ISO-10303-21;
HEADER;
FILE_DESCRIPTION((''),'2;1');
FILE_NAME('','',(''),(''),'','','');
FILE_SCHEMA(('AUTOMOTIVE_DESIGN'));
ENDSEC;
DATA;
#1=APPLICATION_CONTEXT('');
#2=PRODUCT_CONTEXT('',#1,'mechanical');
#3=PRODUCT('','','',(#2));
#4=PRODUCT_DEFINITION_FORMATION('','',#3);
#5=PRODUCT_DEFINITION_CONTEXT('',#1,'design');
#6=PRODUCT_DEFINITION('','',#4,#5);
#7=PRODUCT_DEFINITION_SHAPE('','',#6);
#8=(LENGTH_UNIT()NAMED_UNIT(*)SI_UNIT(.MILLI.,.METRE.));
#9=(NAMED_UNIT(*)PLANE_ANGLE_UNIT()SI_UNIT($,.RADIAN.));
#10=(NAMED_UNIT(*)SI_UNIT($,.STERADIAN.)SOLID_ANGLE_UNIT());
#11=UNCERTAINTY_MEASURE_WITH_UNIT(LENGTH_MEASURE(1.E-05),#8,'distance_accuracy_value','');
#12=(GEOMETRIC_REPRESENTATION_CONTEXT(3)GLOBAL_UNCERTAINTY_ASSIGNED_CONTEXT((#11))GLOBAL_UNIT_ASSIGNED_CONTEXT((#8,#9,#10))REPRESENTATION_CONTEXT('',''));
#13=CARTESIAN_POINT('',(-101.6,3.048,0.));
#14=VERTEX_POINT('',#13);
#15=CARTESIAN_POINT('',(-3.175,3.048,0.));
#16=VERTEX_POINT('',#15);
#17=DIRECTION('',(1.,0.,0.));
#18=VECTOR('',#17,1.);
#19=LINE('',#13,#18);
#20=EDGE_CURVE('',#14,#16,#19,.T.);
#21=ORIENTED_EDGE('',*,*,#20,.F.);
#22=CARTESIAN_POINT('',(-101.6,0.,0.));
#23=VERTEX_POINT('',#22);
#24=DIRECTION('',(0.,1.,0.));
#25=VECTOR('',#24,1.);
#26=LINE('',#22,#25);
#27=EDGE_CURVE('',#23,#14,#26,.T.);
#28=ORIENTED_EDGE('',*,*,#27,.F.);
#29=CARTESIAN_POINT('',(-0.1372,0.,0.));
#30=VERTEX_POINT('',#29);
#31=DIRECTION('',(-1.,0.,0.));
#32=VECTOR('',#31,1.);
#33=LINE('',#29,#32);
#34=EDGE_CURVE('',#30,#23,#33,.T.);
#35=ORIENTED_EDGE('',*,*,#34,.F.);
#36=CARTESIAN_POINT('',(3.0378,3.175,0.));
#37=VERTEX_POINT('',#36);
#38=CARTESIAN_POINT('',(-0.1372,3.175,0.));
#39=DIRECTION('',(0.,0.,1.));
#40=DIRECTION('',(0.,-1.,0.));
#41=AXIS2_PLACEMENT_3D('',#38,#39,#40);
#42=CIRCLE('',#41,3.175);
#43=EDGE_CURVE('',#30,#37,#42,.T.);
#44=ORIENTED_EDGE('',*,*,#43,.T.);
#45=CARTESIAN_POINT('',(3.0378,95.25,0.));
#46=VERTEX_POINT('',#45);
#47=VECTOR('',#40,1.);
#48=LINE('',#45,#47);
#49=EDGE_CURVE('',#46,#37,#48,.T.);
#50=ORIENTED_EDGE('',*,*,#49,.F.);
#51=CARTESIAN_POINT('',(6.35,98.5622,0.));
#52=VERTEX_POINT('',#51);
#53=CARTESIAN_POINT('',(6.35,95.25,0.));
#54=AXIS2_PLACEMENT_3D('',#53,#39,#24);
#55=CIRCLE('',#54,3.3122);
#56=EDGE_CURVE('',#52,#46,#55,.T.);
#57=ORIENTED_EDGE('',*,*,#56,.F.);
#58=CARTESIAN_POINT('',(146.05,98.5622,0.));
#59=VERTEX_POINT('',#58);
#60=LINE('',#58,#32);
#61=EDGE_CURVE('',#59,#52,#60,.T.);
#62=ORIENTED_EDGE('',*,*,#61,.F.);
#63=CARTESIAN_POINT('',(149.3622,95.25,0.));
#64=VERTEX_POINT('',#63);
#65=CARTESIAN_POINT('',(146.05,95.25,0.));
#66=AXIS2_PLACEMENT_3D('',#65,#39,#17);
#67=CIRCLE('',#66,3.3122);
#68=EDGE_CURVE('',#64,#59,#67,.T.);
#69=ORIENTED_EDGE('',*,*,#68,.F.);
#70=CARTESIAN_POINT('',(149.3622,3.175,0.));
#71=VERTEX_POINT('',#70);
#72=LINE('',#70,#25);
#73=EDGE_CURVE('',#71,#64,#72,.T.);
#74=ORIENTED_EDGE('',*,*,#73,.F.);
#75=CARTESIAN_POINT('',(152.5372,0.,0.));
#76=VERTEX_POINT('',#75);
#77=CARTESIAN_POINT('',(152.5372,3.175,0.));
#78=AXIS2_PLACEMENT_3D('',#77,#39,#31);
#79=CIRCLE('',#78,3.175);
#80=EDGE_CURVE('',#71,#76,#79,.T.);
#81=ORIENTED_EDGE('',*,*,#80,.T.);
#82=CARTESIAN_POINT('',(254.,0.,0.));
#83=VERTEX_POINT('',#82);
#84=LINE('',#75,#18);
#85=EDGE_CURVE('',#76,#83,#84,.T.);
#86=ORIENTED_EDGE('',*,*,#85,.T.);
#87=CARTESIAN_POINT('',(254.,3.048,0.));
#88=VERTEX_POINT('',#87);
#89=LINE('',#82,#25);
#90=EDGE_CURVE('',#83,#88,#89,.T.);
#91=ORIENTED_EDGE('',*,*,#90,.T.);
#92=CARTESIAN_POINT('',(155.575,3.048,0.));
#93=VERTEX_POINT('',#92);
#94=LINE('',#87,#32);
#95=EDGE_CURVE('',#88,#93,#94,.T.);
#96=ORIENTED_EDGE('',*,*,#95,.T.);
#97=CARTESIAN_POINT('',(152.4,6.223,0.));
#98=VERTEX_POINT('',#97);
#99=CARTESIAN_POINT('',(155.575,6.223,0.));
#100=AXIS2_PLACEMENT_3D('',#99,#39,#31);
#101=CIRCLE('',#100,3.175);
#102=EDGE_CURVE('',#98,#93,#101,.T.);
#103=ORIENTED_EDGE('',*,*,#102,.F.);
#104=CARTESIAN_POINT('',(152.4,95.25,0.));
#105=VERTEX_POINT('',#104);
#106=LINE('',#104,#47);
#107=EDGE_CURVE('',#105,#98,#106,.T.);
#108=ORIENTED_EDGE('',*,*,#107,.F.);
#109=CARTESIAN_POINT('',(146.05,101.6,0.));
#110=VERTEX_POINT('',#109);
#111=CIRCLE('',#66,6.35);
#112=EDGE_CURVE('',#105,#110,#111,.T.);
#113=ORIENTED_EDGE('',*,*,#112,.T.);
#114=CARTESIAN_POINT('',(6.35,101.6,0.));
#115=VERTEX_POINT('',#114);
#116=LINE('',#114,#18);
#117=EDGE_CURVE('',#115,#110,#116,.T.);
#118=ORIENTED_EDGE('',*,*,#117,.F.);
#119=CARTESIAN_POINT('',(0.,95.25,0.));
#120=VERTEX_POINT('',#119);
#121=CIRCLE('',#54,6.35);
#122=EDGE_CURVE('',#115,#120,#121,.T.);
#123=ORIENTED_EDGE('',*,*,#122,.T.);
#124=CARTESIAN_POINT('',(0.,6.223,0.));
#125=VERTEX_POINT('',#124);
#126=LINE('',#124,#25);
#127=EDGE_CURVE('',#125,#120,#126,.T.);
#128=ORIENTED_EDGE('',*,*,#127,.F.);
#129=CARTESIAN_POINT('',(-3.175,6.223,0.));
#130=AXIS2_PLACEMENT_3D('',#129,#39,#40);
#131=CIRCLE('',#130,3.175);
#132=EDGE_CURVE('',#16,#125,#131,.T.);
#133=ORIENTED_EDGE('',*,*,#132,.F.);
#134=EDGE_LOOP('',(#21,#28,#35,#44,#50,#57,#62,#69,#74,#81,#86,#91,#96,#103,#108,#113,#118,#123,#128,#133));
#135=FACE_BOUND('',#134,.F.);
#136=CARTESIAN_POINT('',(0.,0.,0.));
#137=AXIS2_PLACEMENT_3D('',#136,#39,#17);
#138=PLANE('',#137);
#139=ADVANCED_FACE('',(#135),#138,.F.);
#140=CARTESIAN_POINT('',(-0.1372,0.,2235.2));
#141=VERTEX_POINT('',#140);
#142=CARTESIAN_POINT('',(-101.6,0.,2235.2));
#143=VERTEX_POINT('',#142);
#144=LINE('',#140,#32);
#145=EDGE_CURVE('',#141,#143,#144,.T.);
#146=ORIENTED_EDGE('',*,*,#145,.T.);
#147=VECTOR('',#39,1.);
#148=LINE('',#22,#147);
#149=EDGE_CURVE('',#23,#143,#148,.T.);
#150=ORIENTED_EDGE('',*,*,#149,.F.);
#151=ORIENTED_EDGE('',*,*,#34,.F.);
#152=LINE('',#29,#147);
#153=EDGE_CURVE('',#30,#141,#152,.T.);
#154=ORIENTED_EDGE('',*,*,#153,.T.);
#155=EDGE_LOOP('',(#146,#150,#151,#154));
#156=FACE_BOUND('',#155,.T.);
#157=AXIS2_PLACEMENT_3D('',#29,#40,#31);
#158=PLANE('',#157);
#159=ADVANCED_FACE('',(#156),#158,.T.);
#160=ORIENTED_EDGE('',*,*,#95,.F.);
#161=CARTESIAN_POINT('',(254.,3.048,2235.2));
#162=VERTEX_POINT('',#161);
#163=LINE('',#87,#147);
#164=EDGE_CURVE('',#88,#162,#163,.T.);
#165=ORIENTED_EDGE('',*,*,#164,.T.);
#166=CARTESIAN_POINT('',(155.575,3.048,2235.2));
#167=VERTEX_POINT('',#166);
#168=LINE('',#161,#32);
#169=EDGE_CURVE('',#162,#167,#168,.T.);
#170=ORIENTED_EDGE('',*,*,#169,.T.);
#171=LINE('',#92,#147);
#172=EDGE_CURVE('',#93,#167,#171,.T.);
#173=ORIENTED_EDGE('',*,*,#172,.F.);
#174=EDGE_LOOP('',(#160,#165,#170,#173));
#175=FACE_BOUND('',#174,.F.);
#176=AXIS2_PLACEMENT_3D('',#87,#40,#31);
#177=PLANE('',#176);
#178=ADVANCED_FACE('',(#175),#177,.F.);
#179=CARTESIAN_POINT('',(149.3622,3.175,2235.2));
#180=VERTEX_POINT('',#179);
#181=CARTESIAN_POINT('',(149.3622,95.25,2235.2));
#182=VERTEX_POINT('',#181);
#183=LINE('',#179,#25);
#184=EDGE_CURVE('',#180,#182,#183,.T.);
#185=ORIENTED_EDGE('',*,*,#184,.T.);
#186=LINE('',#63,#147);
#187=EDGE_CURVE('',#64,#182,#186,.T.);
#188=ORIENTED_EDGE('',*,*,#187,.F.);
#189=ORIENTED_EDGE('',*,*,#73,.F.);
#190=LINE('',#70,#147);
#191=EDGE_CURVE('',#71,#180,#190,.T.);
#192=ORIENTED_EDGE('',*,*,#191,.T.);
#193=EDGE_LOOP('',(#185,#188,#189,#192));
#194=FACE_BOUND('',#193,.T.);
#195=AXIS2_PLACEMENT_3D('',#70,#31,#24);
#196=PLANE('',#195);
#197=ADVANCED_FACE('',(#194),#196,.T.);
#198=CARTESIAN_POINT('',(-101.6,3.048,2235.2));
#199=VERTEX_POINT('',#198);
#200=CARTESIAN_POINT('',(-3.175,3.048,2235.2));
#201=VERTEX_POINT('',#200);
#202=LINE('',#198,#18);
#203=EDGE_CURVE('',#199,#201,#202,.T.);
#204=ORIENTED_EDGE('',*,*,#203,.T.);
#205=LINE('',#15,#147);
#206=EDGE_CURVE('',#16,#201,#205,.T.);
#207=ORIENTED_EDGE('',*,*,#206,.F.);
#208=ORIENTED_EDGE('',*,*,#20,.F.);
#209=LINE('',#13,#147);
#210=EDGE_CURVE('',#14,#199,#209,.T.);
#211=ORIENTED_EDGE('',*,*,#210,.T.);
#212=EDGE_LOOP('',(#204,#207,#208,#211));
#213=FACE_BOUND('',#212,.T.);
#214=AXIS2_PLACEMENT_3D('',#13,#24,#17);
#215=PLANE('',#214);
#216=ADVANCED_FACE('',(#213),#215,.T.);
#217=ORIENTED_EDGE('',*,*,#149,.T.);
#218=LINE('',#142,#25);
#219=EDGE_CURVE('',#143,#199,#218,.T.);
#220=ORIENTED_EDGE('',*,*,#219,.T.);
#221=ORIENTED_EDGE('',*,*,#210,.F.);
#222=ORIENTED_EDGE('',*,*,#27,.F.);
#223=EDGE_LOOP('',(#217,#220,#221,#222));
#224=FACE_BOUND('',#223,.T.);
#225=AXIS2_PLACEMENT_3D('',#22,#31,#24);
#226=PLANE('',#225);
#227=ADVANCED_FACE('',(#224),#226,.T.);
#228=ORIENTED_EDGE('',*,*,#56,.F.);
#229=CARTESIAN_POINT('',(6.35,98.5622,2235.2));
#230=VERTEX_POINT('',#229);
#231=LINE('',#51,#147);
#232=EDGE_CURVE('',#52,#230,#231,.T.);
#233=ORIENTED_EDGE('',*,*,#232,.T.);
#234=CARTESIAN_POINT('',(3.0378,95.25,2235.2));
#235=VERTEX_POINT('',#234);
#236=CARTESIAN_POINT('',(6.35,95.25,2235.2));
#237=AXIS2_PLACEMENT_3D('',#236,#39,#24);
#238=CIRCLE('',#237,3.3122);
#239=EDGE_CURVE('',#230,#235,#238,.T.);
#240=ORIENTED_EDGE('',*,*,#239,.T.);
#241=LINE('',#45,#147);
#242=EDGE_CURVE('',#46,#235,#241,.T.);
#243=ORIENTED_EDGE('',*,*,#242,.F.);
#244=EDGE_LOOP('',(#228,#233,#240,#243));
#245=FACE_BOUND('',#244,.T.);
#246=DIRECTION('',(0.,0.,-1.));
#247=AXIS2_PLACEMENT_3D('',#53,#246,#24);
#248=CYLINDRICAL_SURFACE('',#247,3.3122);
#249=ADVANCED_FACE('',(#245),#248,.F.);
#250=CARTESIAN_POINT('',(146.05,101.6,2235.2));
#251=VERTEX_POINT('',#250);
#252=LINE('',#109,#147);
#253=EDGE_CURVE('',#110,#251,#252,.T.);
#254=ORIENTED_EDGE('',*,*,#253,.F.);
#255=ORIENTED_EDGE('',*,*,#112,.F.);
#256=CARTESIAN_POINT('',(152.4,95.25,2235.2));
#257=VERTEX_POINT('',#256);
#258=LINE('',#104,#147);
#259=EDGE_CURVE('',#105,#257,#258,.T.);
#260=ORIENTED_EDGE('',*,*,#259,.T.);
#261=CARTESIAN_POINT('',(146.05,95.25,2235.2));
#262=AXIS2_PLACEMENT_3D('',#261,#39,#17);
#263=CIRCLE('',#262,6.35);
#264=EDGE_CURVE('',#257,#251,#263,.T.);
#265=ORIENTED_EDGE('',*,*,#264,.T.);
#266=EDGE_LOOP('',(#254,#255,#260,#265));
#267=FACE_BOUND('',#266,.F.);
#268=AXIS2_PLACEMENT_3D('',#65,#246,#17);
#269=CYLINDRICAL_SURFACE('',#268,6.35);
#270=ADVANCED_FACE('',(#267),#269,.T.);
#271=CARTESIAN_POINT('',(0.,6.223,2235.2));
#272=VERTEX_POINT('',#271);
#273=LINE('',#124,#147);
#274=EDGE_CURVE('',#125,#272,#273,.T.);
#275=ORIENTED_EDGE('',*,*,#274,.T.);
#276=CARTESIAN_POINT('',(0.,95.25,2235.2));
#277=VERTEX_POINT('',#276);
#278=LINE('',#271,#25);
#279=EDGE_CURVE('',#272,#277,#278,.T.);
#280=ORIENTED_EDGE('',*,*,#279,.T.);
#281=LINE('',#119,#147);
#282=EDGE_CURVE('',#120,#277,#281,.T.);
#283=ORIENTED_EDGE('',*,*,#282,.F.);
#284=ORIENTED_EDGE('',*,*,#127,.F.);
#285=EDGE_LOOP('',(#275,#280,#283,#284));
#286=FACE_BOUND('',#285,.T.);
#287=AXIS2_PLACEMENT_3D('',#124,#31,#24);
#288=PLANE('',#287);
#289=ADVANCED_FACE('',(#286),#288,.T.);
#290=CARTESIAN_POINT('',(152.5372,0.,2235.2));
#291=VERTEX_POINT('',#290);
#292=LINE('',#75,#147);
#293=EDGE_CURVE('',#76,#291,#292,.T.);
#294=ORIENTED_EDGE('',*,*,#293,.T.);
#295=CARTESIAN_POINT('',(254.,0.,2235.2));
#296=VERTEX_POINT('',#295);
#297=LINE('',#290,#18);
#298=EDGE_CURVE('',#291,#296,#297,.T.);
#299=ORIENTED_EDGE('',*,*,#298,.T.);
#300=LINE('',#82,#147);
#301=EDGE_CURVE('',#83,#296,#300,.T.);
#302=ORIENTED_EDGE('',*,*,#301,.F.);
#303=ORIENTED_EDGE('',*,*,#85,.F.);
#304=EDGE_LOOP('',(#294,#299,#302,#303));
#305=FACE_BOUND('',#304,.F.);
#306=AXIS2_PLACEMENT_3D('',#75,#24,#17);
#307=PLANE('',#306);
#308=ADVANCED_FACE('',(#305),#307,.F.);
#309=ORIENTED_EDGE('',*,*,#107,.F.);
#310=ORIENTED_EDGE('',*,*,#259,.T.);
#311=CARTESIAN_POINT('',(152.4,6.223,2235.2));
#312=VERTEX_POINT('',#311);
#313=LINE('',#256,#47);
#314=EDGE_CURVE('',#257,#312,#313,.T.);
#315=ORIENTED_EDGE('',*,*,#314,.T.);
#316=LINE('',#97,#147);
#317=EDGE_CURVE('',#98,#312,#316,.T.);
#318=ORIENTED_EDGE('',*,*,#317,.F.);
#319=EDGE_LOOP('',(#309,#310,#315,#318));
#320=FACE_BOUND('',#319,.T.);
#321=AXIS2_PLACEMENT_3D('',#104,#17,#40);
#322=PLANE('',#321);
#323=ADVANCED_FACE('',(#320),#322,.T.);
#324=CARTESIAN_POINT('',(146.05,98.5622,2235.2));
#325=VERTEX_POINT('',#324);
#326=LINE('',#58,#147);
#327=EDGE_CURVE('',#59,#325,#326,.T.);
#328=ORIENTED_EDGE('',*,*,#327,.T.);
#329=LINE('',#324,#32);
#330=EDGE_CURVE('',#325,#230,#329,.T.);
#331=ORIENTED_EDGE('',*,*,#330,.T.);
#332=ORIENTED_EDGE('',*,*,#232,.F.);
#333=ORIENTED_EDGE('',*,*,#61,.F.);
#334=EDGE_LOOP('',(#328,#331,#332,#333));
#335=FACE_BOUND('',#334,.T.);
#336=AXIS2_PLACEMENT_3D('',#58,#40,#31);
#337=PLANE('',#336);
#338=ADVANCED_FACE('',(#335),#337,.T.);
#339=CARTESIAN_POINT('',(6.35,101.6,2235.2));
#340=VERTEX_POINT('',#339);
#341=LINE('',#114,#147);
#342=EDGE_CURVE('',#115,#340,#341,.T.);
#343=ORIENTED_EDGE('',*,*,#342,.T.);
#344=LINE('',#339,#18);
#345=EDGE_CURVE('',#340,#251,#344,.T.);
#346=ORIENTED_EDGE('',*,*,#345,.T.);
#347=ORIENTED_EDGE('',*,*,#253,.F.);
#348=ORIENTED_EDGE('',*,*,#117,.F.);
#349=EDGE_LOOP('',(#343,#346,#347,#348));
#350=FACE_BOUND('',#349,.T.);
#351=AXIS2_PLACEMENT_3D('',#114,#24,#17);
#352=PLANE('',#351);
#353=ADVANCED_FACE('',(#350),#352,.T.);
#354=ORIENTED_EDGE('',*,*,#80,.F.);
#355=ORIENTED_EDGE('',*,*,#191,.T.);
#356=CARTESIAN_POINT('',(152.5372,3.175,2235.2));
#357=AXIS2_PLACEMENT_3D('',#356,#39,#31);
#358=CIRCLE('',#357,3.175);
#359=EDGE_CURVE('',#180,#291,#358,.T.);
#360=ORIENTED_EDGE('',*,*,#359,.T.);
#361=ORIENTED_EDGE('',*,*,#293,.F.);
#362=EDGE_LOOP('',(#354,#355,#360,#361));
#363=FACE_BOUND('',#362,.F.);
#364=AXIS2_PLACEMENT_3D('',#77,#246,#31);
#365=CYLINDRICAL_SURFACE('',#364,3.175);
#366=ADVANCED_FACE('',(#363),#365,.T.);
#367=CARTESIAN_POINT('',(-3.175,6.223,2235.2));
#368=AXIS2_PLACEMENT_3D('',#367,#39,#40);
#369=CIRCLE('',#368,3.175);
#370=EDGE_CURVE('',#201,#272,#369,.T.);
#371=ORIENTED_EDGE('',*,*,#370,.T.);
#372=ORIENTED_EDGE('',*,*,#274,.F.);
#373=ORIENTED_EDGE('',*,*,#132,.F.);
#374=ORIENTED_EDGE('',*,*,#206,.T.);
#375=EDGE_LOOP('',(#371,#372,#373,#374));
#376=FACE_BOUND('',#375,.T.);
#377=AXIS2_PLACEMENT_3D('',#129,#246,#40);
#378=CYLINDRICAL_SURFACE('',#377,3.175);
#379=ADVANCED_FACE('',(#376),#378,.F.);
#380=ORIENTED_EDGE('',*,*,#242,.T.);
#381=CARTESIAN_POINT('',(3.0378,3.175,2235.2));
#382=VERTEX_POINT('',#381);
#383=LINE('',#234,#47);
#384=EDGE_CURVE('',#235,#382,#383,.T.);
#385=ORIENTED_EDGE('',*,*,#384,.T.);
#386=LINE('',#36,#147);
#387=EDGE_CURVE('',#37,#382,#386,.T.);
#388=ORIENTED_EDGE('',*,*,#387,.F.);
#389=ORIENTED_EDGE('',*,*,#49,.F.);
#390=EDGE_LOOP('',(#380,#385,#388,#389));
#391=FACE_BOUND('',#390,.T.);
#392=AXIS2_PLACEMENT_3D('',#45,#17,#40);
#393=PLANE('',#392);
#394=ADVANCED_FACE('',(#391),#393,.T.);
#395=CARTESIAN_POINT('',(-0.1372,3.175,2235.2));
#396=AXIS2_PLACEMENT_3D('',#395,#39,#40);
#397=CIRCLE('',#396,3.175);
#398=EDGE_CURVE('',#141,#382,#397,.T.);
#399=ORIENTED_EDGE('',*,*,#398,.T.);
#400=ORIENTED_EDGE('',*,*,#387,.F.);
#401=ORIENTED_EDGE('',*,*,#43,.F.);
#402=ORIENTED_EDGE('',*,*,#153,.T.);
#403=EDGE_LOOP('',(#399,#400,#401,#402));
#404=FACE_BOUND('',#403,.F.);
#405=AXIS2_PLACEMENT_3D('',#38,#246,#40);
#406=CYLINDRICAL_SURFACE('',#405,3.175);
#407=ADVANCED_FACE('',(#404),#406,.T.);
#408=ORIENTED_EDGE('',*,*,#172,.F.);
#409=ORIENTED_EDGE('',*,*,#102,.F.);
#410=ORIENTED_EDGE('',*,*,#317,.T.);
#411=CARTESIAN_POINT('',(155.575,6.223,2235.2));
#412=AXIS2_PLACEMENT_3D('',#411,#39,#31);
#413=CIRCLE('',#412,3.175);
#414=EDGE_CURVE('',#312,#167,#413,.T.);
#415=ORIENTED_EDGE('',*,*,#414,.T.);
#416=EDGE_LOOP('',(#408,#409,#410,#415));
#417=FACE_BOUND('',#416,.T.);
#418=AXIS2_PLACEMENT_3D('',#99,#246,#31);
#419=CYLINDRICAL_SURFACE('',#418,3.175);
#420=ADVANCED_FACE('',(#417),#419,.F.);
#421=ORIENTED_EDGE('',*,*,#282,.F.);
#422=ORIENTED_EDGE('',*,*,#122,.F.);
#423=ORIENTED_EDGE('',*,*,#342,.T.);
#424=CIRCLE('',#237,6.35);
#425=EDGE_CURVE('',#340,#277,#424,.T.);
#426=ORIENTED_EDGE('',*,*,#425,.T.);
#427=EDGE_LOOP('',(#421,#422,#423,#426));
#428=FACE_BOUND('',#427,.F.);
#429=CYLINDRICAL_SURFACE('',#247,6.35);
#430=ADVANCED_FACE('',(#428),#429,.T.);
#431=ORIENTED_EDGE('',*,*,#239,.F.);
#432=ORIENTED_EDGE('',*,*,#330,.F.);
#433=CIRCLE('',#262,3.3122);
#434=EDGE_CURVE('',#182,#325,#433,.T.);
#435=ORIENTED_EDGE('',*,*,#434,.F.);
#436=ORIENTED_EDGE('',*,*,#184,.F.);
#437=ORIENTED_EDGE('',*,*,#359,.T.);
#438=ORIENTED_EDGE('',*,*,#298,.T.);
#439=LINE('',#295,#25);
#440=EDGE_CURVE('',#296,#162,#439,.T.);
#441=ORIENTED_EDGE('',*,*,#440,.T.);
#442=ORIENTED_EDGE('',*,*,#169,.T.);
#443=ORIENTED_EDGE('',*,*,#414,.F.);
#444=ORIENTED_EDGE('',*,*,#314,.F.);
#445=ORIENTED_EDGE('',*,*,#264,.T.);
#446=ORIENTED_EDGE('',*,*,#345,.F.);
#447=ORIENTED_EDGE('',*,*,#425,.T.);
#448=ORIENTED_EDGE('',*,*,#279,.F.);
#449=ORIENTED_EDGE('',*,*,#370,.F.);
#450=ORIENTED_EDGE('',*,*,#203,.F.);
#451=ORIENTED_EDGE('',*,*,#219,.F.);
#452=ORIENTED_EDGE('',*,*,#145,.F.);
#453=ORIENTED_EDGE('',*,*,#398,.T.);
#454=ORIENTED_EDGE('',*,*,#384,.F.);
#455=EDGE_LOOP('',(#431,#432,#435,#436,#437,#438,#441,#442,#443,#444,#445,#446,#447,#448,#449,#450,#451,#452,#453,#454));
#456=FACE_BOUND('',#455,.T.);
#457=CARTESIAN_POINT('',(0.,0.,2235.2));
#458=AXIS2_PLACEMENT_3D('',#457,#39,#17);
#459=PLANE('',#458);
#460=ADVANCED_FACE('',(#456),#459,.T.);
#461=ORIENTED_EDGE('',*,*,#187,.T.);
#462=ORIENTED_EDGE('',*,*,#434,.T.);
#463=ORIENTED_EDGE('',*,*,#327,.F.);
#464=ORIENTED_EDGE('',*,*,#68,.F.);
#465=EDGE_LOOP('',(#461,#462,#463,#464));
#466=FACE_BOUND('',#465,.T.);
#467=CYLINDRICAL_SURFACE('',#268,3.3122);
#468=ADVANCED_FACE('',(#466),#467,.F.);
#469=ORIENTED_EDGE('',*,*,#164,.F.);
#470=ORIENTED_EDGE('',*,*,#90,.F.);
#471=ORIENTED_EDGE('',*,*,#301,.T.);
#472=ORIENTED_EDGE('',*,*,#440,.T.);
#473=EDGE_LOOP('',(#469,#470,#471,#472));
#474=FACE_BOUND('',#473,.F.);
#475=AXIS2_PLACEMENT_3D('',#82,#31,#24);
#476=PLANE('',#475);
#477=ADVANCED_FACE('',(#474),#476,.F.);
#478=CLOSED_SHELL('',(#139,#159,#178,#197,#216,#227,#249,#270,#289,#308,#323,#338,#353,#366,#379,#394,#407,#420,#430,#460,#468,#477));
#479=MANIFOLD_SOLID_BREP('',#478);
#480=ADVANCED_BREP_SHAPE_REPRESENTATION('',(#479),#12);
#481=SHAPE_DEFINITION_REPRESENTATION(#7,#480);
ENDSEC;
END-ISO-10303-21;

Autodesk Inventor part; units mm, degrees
ref_plane "YZ Plane" through (0, 0, 0) normal (1, 0, 0) x (0, 1, 0)
ref_plane "XZ Plane" through (0, 0, 0) normal (0, 1, 0) x (-1, 0, 0)
ref_plane "XY Plane" through (0, 0, 0) normal (0, 0, 1) x (1, 0, 0)
sketch "Sketch1" plane through (0, 0, 0) normal (0, 0, 1) x (1, 0, 0)
  line L0 (0, 6.223) -> (0, 95.25)
  line L1 (6.35, 101.6) -> (146.05, 101.6)
  line L2 (152.4, 95.25) -> (152.4, 6.223)
  arc A0 (6.35, 101.6) -> (0, 95.25) centre (6.35, 95.25) ccw
  arc A1 (152.4, 95.25) -> (146.05, 101.6) centre (146.05, 95.25) ccw
  line L3 (149.3622, 3.175) -> (149.3622, 95.25)
  arc A2 (149.3622, 95.25) -> (146.05, 98.5622) centre (146.05, 95.25) ccw
  line L4 (146.05, 98.5622) -> (6.35, 98.5622)
  arc A3 (6.35, 98.5622) -> (3.0378, 95.25) centre (6.35, 95.25) ccw
  line L5 (3.0378, 95.25) -> (3.0378, 3.175)
  line L6 (-0.1372, 0) -> (-101.6, 0)
  line L7 (-101.6, 0) -> (-101.6, 3.048)
  line L8 (-101.6, 3.048) -> (-3.175, 3.048)
  arc A4 (-3.175, 3.048) -> (0, 6.223) centre (-3.175, 6.223) ccw
  arc A5 (-0.1372, 0) -> (3.0378, 3.175) centre (-0.1372, 3.175) ccw
  line L9 (152.5372, 0) -> (254, 0)
  line L10 (254, 0) -> (254, 3.048)
  line L11 (254, 3.048) -> (155.575, 3.048)
  arc A6 (152.4, 6.223) -> (155.575, 3.048) centre (155.575, 6.223) ccw
  arc A7 (149.3622, 3.175) -> (152.5372, 0) centre (152.5372, 3.175) ccw
  point P0 (0, 0)
  point P1 (152.4, 3.048)
  point P2 (149.3622, 0)
  point P3 (3.0378, 0)
  dimension "d0" = 6.35
  dimension "d1" = 3.0378
  dimension "d2" = 152.4
  dimension "d6" = 3.048
  dimension "d7" = 101.6
  dimension "d8" = 3.175
  dimension "d9" = 101.6
  dimension "d10" = 3.048
  dimension "d11" = 3.175
  dimension "d12" = 101.6
  dimension "d13" = 101.6
extrude "Extrusion1" add sketch "Sketch1" along normal blind 2235.2
properties part number "GE-12058"
